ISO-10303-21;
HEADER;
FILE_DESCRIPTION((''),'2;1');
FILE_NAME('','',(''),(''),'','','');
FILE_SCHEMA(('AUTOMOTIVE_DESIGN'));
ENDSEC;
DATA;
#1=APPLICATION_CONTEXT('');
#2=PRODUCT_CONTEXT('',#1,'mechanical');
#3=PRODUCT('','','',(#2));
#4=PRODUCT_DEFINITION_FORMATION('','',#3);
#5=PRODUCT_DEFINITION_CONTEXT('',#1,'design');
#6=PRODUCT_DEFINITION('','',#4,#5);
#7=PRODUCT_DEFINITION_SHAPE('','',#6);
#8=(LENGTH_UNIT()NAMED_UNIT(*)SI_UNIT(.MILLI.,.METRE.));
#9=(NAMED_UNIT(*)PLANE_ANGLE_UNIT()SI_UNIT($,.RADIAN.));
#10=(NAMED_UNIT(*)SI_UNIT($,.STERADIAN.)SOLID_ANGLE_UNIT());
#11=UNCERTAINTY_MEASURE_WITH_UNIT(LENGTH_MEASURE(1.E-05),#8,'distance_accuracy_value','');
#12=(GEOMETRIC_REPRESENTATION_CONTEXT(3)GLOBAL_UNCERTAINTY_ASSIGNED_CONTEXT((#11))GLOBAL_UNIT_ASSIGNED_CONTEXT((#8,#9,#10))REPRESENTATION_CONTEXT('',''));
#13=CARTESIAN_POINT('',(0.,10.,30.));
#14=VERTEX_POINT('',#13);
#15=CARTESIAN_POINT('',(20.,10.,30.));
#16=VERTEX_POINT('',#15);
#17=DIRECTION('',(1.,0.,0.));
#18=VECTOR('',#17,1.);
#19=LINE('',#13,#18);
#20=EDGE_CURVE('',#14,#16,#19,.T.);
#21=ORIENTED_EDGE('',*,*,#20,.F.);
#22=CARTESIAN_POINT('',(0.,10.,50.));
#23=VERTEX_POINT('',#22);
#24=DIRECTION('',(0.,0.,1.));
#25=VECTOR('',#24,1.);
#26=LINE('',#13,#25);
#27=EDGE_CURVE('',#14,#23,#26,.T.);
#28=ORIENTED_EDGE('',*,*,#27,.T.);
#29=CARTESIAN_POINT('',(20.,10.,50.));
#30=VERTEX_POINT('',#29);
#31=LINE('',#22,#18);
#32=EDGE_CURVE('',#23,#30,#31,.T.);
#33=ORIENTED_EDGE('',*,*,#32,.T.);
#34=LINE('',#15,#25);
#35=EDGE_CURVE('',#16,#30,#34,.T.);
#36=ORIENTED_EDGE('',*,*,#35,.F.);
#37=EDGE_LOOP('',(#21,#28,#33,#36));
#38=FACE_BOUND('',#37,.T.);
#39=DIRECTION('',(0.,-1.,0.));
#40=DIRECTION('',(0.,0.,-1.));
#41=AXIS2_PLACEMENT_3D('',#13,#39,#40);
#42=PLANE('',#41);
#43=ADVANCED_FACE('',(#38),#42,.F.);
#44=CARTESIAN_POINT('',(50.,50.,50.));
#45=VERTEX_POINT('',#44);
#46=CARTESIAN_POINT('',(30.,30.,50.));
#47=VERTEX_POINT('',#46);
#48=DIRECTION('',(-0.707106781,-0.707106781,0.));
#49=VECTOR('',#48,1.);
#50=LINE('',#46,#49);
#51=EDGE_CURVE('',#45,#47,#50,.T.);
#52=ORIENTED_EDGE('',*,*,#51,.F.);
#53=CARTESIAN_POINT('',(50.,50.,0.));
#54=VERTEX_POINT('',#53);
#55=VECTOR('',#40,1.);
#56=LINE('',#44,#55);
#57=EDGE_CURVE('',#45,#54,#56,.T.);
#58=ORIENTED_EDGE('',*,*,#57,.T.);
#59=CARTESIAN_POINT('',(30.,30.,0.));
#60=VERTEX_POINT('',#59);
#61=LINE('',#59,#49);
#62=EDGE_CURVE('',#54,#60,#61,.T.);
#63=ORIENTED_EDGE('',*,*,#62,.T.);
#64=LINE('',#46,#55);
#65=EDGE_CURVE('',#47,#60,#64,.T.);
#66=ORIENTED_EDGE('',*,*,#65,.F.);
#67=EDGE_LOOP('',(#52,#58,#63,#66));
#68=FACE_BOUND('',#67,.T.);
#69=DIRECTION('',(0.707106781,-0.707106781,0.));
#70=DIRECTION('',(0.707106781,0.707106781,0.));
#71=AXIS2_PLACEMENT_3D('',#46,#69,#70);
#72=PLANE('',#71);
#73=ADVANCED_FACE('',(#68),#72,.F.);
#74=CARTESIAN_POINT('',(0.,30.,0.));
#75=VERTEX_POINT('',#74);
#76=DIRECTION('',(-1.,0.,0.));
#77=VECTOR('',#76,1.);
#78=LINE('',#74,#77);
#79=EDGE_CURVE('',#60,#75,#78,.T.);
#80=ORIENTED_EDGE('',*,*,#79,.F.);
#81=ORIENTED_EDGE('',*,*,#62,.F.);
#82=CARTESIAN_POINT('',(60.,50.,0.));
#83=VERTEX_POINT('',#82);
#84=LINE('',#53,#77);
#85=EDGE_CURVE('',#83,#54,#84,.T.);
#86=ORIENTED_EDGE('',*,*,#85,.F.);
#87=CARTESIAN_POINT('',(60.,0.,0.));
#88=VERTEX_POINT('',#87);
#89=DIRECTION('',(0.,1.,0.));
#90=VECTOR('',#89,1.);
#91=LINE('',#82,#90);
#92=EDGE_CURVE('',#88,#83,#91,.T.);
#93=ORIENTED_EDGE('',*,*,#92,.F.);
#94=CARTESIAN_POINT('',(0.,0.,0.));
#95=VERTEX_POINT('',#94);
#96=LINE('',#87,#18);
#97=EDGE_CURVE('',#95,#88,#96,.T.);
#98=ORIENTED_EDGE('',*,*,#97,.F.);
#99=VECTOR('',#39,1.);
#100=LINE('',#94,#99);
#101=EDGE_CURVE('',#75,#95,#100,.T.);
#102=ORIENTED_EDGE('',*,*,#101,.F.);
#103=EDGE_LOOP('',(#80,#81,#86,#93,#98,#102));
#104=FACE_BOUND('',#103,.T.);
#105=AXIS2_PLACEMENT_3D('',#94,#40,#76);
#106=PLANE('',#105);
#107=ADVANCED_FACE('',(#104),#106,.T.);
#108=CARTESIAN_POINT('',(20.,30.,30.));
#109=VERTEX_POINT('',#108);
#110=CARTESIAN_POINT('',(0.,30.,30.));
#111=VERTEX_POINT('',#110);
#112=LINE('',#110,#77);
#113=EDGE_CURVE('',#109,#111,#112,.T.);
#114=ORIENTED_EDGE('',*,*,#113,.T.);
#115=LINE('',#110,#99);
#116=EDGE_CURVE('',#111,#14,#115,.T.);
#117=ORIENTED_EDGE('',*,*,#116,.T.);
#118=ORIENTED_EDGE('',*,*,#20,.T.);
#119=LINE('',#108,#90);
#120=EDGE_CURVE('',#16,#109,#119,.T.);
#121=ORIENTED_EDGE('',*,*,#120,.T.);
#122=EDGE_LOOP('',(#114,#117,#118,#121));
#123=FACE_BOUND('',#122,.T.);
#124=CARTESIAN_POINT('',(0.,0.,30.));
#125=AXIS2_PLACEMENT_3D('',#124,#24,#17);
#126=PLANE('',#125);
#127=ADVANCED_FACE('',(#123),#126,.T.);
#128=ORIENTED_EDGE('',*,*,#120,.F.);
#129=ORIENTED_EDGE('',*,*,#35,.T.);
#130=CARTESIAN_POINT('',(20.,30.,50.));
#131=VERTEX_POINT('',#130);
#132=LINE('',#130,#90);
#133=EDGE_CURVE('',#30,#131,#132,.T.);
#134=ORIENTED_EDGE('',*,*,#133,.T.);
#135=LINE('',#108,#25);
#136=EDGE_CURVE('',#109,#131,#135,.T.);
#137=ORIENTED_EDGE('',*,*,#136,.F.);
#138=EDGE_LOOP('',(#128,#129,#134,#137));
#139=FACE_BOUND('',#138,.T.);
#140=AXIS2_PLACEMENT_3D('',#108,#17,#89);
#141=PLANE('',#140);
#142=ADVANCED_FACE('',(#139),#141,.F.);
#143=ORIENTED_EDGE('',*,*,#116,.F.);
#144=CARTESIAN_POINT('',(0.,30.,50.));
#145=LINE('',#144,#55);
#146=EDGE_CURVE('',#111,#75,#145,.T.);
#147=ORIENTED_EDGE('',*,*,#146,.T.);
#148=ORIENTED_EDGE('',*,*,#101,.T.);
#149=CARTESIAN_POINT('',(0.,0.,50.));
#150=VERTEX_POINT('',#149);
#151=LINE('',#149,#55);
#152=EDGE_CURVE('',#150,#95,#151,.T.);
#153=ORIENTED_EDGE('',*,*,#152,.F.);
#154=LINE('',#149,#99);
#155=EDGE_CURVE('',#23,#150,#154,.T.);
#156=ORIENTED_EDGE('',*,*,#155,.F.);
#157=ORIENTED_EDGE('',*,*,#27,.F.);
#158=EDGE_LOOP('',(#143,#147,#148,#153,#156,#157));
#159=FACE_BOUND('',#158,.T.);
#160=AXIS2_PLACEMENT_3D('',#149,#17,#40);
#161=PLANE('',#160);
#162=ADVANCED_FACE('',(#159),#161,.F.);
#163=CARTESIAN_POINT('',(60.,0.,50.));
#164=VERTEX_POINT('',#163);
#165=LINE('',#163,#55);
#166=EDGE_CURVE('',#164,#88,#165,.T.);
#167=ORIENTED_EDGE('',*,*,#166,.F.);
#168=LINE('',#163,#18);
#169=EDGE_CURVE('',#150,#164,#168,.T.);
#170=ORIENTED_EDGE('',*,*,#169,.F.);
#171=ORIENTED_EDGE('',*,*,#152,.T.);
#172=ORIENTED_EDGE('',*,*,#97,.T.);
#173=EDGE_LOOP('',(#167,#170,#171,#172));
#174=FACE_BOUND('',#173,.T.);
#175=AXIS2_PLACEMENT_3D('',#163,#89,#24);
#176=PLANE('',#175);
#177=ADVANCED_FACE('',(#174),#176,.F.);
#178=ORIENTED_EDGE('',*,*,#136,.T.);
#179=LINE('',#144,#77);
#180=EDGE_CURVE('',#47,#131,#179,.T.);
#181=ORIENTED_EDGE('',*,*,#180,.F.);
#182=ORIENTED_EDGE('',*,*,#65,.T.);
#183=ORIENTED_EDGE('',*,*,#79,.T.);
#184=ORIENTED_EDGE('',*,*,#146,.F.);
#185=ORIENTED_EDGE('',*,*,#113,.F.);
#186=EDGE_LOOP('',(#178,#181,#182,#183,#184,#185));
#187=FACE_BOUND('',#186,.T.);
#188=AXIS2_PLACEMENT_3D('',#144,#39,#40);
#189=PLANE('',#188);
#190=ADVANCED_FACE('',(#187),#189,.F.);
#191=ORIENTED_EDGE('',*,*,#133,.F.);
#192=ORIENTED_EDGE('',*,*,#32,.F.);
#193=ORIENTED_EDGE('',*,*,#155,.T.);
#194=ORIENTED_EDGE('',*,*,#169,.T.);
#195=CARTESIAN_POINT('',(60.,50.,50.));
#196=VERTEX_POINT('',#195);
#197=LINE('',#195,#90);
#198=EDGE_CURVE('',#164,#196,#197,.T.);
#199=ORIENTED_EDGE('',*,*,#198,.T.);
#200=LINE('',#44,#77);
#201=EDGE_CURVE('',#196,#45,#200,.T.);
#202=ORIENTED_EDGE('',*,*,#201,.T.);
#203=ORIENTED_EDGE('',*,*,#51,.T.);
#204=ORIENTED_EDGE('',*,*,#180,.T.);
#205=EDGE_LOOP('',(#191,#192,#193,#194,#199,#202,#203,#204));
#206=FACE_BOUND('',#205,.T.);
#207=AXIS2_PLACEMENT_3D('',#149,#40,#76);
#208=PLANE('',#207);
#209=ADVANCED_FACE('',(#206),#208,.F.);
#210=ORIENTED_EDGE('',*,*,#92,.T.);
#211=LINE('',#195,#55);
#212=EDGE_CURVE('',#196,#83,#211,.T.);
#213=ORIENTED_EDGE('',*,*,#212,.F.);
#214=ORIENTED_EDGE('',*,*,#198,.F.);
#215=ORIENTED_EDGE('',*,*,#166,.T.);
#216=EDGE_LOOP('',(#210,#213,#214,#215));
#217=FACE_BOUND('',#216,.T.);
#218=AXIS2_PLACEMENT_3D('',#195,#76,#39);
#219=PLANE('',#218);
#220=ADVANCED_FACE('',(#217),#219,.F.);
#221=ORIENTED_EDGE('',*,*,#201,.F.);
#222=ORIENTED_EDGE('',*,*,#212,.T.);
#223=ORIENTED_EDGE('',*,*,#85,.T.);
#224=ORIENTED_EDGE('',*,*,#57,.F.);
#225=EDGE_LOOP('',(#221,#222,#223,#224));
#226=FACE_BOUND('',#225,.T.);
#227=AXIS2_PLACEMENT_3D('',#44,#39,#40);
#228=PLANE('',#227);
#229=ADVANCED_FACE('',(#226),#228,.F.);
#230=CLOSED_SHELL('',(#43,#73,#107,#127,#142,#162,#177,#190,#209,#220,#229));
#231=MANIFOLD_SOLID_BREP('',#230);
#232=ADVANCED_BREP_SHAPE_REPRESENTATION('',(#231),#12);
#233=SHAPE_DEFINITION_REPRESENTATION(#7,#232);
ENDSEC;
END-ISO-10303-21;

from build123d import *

# Parameters (mm, degrees)
BOSS_EXTRUDE2_DEPTH = 50
SKETCH3_W           = 20
SKETCH3_H           = 20
CUT_EXTRUDE2_DEPTH  = 20


with BuildPart() as part:
    # Sketch1 → Boss-Extrude2 (new body)
    with BuildSketch(Plane.XY):
        Polygon((0, 0), (0, 30), (30, 30), (50, 50), (60, 50), (60, 0), align=None)
    extrude(amount=BOSS_EXTRUDE2_DEPTH)

    # Sketch3 → Cut-Extrude2 (cut)
    with BuildSketch(Plane.XY.offset(50)):
        with Locations((10, 20)):
            Rectangle(SKETCH3_W, SKETCH3_H)
    extrude(amount=-CUT_EXTRUDE2_DEPTH, mode=Mode.SUBTRACT)


solid = part.part
